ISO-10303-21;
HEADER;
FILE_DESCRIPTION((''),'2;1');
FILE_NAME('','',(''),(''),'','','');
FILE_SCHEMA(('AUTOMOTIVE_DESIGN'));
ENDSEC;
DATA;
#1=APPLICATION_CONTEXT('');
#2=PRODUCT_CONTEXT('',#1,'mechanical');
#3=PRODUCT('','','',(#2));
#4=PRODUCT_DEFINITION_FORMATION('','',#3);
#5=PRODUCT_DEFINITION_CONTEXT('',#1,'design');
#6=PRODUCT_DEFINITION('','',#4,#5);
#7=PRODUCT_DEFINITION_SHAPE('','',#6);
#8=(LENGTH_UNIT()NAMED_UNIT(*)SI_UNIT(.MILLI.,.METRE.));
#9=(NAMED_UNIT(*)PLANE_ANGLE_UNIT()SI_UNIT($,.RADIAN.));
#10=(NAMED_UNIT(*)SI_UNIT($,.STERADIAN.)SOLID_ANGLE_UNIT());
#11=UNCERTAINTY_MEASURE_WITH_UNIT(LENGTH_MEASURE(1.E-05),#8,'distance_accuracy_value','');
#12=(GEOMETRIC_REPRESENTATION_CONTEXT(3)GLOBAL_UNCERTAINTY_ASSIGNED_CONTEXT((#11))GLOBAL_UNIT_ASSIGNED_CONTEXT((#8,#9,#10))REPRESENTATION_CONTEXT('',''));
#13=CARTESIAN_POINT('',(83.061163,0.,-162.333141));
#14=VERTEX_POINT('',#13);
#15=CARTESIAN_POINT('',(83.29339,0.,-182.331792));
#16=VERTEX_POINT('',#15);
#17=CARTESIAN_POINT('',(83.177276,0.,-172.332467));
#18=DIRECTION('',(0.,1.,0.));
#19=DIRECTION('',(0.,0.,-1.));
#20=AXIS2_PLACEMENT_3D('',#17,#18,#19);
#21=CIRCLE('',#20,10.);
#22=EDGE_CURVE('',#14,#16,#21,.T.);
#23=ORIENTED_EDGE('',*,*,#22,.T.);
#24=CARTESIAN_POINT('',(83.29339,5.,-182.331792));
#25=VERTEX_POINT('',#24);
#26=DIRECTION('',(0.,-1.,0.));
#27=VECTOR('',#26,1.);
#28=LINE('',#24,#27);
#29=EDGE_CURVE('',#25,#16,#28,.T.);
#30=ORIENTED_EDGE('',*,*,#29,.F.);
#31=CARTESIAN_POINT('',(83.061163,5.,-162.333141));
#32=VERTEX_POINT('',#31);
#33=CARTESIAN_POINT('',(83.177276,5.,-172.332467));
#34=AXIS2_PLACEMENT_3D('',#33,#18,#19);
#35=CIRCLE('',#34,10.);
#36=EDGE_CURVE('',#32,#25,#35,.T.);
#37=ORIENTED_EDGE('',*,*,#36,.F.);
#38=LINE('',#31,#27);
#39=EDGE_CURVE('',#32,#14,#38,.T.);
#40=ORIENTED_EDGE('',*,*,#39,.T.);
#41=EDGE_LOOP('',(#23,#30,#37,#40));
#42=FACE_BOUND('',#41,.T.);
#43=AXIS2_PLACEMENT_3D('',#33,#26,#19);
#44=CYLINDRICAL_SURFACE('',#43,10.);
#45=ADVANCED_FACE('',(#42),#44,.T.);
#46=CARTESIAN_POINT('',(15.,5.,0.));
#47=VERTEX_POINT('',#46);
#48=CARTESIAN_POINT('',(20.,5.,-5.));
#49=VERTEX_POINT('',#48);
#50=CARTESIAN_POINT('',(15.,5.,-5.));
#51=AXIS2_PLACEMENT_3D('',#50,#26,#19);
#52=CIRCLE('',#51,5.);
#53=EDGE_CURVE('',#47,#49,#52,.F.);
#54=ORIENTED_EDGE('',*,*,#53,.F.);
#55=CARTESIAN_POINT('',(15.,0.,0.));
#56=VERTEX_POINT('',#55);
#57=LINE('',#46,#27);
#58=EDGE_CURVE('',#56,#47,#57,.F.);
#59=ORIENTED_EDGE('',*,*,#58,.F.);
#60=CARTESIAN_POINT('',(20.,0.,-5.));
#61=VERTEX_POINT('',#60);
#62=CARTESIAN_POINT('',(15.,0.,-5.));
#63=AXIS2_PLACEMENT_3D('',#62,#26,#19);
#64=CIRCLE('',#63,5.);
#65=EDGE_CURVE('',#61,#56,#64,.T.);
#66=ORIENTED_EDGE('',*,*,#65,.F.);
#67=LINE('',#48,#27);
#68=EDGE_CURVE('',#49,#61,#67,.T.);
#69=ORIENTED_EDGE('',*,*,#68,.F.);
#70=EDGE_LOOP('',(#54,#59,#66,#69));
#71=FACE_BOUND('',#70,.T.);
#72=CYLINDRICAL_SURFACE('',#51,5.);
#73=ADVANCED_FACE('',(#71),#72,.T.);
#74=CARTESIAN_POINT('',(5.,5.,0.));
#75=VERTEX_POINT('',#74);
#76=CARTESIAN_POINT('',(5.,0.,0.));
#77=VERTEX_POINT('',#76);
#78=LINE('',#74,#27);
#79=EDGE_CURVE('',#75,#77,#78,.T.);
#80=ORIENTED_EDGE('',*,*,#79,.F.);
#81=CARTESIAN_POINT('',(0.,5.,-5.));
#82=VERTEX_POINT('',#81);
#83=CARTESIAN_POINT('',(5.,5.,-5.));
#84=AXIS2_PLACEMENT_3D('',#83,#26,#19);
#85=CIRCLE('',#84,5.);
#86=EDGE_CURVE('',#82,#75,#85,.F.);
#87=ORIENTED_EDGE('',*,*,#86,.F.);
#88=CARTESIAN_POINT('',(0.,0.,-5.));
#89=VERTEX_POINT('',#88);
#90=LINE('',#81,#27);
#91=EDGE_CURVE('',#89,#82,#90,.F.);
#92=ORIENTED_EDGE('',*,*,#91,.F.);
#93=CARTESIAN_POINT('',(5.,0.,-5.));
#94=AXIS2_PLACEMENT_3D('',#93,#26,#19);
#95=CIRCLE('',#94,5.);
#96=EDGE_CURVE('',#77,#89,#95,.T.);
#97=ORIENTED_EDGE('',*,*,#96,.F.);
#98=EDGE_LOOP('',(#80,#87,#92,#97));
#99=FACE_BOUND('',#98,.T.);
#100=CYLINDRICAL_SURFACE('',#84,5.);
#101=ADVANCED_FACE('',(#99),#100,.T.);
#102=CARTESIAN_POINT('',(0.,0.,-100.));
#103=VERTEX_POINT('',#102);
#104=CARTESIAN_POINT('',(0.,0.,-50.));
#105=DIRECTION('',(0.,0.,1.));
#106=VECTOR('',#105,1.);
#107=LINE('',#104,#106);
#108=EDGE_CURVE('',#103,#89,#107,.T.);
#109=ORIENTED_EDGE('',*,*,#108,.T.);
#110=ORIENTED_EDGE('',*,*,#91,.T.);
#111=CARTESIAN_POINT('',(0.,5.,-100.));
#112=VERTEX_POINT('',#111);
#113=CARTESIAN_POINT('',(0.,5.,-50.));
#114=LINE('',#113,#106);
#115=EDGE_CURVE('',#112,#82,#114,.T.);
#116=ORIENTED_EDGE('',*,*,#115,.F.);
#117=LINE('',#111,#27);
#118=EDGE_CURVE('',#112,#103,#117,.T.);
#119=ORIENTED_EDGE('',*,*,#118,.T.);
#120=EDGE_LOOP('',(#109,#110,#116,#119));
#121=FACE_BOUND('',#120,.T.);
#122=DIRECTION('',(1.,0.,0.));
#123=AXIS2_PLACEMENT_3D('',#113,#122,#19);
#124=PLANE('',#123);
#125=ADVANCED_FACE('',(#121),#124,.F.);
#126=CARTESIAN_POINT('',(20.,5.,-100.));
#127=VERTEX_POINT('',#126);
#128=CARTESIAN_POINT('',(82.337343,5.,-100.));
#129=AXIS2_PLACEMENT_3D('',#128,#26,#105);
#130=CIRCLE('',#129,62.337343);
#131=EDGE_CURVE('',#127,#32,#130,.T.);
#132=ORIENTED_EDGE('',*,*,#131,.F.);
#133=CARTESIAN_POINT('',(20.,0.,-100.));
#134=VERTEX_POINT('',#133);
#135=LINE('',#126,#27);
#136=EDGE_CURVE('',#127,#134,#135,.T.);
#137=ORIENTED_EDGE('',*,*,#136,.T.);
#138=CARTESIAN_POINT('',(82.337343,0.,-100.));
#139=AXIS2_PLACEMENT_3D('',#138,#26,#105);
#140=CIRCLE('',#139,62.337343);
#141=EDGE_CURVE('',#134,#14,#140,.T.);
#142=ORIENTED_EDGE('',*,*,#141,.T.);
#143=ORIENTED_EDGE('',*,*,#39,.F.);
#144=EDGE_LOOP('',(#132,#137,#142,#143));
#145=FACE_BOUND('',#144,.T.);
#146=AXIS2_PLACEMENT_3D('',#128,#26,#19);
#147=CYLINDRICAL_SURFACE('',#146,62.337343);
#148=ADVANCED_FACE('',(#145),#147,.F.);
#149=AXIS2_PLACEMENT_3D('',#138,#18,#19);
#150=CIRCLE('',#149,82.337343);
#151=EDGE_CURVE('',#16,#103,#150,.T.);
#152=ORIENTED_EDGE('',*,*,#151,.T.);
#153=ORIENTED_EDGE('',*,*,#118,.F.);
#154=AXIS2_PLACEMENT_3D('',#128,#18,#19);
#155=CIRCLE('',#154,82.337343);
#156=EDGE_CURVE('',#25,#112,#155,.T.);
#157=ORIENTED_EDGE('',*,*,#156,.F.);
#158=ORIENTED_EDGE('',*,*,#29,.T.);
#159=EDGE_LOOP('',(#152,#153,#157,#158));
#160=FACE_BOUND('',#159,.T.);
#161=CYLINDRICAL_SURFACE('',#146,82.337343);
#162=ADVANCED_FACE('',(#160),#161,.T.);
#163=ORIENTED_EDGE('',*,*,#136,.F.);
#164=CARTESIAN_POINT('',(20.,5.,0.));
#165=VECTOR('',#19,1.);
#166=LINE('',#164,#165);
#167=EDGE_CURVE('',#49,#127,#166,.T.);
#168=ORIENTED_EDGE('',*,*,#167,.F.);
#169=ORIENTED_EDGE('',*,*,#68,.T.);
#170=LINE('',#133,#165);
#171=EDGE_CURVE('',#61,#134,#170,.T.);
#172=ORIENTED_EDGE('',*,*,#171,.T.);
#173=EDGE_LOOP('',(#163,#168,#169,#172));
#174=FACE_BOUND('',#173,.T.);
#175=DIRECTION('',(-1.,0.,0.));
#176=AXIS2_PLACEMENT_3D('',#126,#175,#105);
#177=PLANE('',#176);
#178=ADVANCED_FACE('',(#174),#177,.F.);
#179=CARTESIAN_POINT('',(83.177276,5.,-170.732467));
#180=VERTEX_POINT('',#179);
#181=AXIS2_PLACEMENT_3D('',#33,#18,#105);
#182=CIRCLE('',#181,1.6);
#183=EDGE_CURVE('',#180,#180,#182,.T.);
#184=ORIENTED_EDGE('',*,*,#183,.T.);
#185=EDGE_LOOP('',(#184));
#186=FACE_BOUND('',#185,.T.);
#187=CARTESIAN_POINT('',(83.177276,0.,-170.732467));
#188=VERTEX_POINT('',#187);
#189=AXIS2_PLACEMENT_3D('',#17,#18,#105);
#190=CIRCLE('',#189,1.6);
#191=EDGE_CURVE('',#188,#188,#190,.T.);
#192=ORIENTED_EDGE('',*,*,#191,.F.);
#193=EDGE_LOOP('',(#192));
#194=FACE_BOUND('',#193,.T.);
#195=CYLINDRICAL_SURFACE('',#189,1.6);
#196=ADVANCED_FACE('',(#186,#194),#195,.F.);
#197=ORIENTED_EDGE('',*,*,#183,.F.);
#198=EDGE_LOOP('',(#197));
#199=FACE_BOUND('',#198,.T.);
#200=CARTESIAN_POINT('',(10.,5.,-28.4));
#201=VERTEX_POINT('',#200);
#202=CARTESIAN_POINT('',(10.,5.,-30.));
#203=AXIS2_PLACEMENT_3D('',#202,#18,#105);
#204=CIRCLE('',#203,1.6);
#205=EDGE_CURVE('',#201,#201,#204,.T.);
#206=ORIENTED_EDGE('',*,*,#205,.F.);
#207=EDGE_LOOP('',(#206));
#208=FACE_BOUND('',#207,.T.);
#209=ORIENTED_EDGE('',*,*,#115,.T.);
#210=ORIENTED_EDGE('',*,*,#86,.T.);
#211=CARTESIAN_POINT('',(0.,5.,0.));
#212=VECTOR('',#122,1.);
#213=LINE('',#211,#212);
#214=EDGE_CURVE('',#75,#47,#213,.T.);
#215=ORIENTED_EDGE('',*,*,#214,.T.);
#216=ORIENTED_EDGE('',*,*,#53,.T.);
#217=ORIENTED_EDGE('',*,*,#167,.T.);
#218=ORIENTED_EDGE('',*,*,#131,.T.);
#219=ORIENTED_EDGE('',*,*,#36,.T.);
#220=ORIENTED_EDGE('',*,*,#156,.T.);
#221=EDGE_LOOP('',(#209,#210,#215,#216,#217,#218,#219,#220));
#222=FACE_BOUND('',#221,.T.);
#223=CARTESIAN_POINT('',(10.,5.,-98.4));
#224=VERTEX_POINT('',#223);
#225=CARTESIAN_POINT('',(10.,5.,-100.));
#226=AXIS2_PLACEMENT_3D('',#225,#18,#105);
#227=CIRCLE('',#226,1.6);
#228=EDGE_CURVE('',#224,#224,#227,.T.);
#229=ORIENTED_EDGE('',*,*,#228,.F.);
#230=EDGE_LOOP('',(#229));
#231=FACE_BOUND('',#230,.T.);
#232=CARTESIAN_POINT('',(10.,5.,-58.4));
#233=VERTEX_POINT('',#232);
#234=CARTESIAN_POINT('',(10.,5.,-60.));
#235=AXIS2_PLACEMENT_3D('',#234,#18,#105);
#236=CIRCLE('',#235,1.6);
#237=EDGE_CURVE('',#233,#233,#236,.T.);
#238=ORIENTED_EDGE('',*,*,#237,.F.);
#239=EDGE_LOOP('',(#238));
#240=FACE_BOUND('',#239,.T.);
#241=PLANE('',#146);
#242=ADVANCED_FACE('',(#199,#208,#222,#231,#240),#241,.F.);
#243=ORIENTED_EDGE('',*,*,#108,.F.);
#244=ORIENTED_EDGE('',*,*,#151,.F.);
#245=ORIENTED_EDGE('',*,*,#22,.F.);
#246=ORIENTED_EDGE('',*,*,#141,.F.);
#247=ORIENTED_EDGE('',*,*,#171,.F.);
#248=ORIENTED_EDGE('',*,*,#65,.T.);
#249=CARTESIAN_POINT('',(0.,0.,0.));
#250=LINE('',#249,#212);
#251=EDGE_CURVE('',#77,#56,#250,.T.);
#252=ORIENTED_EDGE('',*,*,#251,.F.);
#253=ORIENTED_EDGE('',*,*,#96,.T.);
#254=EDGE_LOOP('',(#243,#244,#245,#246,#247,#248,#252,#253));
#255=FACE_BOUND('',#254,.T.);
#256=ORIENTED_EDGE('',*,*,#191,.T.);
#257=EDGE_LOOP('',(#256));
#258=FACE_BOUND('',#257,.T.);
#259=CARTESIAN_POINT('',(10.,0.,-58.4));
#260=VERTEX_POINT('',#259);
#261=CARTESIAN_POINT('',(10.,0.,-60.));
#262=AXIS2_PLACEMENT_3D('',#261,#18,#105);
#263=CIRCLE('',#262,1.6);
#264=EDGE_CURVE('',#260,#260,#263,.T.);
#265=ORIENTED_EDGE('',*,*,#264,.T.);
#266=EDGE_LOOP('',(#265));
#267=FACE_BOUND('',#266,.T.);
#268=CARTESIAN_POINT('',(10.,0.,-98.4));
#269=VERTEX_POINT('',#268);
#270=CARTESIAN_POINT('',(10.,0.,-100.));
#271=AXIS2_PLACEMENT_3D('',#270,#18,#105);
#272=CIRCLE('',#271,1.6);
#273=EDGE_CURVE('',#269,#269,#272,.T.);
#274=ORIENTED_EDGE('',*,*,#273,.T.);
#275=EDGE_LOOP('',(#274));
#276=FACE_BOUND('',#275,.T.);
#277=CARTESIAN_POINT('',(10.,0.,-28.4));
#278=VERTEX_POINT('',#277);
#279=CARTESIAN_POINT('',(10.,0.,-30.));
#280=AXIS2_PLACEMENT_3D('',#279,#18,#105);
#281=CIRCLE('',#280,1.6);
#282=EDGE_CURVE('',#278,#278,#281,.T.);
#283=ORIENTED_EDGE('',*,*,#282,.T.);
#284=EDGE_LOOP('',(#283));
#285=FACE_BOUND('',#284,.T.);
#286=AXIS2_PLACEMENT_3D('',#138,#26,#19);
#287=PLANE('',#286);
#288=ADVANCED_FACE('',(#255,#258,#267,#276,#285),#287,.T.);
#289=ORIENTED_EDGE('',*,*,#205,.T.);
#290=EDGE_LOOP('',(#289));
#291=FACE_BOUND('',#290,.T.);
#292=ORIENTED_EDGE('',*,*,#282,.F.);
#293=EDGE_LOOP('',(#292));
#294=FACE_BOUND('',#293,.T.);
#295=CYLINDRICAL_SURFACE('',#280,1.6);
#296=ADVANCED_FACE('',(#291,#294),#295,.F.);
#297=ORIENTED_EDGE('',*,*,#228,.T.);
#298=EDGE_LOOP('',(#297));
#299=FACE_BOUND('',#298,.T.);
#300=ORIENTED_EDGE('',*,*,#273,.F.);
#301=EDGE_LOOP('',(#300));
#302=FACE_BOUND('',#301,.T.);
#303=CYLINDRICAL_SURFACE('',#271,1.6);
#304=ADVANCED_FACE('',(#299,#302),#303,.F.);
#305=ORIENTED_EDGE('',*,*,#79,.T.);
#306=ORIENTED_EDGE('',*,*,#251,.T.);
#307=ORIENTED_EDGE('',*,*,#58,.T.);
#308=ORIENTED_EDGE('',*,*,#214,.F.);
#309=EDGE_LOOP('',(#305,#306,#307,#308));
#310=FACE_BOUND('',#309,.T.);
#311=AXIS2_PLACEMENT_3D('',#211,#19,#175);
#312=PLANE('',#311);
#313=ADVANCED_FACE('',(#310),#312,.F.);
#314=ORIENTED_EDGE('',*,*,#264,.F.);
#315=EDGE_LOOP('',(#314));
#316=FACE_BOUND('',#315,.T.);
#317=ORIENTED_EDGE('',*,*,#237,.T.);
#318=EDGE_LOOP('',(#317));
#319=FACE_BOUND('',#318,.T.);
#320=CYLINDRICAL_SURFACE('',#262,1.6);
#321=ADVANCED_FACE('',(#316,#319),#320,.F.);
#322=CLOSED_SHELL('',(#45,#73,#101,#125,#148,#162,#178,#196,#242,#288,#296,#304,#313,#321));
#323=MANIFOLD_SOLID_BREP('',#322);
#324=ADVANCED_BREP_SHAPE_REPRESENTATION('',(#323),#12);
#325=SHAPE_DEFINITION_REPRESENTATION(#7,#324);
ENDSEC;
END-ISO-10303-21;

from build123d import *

# Parameters (mm, degrees)
EXTRUDE_1_DEPTH     = 5
SKETCH_2_R          = 1.6
CUT_EXTRUDE_2_DEPTH = 205.826540078
FILLET_1_R          = 5


with BuildPart() as part:
    # 草圖1 → 伸長1 (new body)
    with BuildSketch(Plane(origin=(0, 0, 0), x_dir=(1, 0, 0), z_dir=(0, 1, 0))):
        with BuildLine():
            Line((0, 50), (0, 100))
            ThreePointArc((0, 100), (24.455049934, 158.55833165), (83.293389788, 182.331792401))
            ThreePointArc((83.293389788, 182.331792401), (93.176602271, 172.216353161), (83.061163031, 162.333140678))
            ThreePointArc((83.061163031, 162.333140678), (38.514841271, 144.334328431), (20, 100))
            Line((20, 100), (20, 50))
            Line((20, 50), (20, 0))
            Line((20, 0), (0, 0))
            Line((0, 0), (0, 50))
        make_face()
    extrude(amount=EXTRUDE_1_DEPTH)

    # 草圖2 → 伸長2 (cut, through all)
    with BuildSketch(Plane(origin=(0, 5, 0), x_dir=(1, 0, 0), z_dir=(0, 1, 0))):
        with Locations(Location((10, 60, 0), (0, 0, 270))):
            Circle(SKETCH_2_R)
        with Locations(Location((10, 30, 0), (0, 0, 270))):
            Circle(SKETCH_2_R)
        with Locations(Location((83.177276409, 172.33246654, 0), (0, 0, 270))):
            Circle(SKETCH_2_R)
        with Locations(Location((10, 100, 0), (0, 0, 270))):
            Circle(SKETCH_2_R)
    extrude(amount=-CUT_EXTRUDE_2_DEPTH, mode=Mode.SUBTRACT)

    # 圓角1
    fillet_1_edges = [part.edges().sort_by_distance(p)[0] for p in [
        (20, 2.5, 0),
        (0, 2.5, 0),
    ]]
    fillet(fillet_1_edges, radius=FILLET_1_R)


solid = part.part
